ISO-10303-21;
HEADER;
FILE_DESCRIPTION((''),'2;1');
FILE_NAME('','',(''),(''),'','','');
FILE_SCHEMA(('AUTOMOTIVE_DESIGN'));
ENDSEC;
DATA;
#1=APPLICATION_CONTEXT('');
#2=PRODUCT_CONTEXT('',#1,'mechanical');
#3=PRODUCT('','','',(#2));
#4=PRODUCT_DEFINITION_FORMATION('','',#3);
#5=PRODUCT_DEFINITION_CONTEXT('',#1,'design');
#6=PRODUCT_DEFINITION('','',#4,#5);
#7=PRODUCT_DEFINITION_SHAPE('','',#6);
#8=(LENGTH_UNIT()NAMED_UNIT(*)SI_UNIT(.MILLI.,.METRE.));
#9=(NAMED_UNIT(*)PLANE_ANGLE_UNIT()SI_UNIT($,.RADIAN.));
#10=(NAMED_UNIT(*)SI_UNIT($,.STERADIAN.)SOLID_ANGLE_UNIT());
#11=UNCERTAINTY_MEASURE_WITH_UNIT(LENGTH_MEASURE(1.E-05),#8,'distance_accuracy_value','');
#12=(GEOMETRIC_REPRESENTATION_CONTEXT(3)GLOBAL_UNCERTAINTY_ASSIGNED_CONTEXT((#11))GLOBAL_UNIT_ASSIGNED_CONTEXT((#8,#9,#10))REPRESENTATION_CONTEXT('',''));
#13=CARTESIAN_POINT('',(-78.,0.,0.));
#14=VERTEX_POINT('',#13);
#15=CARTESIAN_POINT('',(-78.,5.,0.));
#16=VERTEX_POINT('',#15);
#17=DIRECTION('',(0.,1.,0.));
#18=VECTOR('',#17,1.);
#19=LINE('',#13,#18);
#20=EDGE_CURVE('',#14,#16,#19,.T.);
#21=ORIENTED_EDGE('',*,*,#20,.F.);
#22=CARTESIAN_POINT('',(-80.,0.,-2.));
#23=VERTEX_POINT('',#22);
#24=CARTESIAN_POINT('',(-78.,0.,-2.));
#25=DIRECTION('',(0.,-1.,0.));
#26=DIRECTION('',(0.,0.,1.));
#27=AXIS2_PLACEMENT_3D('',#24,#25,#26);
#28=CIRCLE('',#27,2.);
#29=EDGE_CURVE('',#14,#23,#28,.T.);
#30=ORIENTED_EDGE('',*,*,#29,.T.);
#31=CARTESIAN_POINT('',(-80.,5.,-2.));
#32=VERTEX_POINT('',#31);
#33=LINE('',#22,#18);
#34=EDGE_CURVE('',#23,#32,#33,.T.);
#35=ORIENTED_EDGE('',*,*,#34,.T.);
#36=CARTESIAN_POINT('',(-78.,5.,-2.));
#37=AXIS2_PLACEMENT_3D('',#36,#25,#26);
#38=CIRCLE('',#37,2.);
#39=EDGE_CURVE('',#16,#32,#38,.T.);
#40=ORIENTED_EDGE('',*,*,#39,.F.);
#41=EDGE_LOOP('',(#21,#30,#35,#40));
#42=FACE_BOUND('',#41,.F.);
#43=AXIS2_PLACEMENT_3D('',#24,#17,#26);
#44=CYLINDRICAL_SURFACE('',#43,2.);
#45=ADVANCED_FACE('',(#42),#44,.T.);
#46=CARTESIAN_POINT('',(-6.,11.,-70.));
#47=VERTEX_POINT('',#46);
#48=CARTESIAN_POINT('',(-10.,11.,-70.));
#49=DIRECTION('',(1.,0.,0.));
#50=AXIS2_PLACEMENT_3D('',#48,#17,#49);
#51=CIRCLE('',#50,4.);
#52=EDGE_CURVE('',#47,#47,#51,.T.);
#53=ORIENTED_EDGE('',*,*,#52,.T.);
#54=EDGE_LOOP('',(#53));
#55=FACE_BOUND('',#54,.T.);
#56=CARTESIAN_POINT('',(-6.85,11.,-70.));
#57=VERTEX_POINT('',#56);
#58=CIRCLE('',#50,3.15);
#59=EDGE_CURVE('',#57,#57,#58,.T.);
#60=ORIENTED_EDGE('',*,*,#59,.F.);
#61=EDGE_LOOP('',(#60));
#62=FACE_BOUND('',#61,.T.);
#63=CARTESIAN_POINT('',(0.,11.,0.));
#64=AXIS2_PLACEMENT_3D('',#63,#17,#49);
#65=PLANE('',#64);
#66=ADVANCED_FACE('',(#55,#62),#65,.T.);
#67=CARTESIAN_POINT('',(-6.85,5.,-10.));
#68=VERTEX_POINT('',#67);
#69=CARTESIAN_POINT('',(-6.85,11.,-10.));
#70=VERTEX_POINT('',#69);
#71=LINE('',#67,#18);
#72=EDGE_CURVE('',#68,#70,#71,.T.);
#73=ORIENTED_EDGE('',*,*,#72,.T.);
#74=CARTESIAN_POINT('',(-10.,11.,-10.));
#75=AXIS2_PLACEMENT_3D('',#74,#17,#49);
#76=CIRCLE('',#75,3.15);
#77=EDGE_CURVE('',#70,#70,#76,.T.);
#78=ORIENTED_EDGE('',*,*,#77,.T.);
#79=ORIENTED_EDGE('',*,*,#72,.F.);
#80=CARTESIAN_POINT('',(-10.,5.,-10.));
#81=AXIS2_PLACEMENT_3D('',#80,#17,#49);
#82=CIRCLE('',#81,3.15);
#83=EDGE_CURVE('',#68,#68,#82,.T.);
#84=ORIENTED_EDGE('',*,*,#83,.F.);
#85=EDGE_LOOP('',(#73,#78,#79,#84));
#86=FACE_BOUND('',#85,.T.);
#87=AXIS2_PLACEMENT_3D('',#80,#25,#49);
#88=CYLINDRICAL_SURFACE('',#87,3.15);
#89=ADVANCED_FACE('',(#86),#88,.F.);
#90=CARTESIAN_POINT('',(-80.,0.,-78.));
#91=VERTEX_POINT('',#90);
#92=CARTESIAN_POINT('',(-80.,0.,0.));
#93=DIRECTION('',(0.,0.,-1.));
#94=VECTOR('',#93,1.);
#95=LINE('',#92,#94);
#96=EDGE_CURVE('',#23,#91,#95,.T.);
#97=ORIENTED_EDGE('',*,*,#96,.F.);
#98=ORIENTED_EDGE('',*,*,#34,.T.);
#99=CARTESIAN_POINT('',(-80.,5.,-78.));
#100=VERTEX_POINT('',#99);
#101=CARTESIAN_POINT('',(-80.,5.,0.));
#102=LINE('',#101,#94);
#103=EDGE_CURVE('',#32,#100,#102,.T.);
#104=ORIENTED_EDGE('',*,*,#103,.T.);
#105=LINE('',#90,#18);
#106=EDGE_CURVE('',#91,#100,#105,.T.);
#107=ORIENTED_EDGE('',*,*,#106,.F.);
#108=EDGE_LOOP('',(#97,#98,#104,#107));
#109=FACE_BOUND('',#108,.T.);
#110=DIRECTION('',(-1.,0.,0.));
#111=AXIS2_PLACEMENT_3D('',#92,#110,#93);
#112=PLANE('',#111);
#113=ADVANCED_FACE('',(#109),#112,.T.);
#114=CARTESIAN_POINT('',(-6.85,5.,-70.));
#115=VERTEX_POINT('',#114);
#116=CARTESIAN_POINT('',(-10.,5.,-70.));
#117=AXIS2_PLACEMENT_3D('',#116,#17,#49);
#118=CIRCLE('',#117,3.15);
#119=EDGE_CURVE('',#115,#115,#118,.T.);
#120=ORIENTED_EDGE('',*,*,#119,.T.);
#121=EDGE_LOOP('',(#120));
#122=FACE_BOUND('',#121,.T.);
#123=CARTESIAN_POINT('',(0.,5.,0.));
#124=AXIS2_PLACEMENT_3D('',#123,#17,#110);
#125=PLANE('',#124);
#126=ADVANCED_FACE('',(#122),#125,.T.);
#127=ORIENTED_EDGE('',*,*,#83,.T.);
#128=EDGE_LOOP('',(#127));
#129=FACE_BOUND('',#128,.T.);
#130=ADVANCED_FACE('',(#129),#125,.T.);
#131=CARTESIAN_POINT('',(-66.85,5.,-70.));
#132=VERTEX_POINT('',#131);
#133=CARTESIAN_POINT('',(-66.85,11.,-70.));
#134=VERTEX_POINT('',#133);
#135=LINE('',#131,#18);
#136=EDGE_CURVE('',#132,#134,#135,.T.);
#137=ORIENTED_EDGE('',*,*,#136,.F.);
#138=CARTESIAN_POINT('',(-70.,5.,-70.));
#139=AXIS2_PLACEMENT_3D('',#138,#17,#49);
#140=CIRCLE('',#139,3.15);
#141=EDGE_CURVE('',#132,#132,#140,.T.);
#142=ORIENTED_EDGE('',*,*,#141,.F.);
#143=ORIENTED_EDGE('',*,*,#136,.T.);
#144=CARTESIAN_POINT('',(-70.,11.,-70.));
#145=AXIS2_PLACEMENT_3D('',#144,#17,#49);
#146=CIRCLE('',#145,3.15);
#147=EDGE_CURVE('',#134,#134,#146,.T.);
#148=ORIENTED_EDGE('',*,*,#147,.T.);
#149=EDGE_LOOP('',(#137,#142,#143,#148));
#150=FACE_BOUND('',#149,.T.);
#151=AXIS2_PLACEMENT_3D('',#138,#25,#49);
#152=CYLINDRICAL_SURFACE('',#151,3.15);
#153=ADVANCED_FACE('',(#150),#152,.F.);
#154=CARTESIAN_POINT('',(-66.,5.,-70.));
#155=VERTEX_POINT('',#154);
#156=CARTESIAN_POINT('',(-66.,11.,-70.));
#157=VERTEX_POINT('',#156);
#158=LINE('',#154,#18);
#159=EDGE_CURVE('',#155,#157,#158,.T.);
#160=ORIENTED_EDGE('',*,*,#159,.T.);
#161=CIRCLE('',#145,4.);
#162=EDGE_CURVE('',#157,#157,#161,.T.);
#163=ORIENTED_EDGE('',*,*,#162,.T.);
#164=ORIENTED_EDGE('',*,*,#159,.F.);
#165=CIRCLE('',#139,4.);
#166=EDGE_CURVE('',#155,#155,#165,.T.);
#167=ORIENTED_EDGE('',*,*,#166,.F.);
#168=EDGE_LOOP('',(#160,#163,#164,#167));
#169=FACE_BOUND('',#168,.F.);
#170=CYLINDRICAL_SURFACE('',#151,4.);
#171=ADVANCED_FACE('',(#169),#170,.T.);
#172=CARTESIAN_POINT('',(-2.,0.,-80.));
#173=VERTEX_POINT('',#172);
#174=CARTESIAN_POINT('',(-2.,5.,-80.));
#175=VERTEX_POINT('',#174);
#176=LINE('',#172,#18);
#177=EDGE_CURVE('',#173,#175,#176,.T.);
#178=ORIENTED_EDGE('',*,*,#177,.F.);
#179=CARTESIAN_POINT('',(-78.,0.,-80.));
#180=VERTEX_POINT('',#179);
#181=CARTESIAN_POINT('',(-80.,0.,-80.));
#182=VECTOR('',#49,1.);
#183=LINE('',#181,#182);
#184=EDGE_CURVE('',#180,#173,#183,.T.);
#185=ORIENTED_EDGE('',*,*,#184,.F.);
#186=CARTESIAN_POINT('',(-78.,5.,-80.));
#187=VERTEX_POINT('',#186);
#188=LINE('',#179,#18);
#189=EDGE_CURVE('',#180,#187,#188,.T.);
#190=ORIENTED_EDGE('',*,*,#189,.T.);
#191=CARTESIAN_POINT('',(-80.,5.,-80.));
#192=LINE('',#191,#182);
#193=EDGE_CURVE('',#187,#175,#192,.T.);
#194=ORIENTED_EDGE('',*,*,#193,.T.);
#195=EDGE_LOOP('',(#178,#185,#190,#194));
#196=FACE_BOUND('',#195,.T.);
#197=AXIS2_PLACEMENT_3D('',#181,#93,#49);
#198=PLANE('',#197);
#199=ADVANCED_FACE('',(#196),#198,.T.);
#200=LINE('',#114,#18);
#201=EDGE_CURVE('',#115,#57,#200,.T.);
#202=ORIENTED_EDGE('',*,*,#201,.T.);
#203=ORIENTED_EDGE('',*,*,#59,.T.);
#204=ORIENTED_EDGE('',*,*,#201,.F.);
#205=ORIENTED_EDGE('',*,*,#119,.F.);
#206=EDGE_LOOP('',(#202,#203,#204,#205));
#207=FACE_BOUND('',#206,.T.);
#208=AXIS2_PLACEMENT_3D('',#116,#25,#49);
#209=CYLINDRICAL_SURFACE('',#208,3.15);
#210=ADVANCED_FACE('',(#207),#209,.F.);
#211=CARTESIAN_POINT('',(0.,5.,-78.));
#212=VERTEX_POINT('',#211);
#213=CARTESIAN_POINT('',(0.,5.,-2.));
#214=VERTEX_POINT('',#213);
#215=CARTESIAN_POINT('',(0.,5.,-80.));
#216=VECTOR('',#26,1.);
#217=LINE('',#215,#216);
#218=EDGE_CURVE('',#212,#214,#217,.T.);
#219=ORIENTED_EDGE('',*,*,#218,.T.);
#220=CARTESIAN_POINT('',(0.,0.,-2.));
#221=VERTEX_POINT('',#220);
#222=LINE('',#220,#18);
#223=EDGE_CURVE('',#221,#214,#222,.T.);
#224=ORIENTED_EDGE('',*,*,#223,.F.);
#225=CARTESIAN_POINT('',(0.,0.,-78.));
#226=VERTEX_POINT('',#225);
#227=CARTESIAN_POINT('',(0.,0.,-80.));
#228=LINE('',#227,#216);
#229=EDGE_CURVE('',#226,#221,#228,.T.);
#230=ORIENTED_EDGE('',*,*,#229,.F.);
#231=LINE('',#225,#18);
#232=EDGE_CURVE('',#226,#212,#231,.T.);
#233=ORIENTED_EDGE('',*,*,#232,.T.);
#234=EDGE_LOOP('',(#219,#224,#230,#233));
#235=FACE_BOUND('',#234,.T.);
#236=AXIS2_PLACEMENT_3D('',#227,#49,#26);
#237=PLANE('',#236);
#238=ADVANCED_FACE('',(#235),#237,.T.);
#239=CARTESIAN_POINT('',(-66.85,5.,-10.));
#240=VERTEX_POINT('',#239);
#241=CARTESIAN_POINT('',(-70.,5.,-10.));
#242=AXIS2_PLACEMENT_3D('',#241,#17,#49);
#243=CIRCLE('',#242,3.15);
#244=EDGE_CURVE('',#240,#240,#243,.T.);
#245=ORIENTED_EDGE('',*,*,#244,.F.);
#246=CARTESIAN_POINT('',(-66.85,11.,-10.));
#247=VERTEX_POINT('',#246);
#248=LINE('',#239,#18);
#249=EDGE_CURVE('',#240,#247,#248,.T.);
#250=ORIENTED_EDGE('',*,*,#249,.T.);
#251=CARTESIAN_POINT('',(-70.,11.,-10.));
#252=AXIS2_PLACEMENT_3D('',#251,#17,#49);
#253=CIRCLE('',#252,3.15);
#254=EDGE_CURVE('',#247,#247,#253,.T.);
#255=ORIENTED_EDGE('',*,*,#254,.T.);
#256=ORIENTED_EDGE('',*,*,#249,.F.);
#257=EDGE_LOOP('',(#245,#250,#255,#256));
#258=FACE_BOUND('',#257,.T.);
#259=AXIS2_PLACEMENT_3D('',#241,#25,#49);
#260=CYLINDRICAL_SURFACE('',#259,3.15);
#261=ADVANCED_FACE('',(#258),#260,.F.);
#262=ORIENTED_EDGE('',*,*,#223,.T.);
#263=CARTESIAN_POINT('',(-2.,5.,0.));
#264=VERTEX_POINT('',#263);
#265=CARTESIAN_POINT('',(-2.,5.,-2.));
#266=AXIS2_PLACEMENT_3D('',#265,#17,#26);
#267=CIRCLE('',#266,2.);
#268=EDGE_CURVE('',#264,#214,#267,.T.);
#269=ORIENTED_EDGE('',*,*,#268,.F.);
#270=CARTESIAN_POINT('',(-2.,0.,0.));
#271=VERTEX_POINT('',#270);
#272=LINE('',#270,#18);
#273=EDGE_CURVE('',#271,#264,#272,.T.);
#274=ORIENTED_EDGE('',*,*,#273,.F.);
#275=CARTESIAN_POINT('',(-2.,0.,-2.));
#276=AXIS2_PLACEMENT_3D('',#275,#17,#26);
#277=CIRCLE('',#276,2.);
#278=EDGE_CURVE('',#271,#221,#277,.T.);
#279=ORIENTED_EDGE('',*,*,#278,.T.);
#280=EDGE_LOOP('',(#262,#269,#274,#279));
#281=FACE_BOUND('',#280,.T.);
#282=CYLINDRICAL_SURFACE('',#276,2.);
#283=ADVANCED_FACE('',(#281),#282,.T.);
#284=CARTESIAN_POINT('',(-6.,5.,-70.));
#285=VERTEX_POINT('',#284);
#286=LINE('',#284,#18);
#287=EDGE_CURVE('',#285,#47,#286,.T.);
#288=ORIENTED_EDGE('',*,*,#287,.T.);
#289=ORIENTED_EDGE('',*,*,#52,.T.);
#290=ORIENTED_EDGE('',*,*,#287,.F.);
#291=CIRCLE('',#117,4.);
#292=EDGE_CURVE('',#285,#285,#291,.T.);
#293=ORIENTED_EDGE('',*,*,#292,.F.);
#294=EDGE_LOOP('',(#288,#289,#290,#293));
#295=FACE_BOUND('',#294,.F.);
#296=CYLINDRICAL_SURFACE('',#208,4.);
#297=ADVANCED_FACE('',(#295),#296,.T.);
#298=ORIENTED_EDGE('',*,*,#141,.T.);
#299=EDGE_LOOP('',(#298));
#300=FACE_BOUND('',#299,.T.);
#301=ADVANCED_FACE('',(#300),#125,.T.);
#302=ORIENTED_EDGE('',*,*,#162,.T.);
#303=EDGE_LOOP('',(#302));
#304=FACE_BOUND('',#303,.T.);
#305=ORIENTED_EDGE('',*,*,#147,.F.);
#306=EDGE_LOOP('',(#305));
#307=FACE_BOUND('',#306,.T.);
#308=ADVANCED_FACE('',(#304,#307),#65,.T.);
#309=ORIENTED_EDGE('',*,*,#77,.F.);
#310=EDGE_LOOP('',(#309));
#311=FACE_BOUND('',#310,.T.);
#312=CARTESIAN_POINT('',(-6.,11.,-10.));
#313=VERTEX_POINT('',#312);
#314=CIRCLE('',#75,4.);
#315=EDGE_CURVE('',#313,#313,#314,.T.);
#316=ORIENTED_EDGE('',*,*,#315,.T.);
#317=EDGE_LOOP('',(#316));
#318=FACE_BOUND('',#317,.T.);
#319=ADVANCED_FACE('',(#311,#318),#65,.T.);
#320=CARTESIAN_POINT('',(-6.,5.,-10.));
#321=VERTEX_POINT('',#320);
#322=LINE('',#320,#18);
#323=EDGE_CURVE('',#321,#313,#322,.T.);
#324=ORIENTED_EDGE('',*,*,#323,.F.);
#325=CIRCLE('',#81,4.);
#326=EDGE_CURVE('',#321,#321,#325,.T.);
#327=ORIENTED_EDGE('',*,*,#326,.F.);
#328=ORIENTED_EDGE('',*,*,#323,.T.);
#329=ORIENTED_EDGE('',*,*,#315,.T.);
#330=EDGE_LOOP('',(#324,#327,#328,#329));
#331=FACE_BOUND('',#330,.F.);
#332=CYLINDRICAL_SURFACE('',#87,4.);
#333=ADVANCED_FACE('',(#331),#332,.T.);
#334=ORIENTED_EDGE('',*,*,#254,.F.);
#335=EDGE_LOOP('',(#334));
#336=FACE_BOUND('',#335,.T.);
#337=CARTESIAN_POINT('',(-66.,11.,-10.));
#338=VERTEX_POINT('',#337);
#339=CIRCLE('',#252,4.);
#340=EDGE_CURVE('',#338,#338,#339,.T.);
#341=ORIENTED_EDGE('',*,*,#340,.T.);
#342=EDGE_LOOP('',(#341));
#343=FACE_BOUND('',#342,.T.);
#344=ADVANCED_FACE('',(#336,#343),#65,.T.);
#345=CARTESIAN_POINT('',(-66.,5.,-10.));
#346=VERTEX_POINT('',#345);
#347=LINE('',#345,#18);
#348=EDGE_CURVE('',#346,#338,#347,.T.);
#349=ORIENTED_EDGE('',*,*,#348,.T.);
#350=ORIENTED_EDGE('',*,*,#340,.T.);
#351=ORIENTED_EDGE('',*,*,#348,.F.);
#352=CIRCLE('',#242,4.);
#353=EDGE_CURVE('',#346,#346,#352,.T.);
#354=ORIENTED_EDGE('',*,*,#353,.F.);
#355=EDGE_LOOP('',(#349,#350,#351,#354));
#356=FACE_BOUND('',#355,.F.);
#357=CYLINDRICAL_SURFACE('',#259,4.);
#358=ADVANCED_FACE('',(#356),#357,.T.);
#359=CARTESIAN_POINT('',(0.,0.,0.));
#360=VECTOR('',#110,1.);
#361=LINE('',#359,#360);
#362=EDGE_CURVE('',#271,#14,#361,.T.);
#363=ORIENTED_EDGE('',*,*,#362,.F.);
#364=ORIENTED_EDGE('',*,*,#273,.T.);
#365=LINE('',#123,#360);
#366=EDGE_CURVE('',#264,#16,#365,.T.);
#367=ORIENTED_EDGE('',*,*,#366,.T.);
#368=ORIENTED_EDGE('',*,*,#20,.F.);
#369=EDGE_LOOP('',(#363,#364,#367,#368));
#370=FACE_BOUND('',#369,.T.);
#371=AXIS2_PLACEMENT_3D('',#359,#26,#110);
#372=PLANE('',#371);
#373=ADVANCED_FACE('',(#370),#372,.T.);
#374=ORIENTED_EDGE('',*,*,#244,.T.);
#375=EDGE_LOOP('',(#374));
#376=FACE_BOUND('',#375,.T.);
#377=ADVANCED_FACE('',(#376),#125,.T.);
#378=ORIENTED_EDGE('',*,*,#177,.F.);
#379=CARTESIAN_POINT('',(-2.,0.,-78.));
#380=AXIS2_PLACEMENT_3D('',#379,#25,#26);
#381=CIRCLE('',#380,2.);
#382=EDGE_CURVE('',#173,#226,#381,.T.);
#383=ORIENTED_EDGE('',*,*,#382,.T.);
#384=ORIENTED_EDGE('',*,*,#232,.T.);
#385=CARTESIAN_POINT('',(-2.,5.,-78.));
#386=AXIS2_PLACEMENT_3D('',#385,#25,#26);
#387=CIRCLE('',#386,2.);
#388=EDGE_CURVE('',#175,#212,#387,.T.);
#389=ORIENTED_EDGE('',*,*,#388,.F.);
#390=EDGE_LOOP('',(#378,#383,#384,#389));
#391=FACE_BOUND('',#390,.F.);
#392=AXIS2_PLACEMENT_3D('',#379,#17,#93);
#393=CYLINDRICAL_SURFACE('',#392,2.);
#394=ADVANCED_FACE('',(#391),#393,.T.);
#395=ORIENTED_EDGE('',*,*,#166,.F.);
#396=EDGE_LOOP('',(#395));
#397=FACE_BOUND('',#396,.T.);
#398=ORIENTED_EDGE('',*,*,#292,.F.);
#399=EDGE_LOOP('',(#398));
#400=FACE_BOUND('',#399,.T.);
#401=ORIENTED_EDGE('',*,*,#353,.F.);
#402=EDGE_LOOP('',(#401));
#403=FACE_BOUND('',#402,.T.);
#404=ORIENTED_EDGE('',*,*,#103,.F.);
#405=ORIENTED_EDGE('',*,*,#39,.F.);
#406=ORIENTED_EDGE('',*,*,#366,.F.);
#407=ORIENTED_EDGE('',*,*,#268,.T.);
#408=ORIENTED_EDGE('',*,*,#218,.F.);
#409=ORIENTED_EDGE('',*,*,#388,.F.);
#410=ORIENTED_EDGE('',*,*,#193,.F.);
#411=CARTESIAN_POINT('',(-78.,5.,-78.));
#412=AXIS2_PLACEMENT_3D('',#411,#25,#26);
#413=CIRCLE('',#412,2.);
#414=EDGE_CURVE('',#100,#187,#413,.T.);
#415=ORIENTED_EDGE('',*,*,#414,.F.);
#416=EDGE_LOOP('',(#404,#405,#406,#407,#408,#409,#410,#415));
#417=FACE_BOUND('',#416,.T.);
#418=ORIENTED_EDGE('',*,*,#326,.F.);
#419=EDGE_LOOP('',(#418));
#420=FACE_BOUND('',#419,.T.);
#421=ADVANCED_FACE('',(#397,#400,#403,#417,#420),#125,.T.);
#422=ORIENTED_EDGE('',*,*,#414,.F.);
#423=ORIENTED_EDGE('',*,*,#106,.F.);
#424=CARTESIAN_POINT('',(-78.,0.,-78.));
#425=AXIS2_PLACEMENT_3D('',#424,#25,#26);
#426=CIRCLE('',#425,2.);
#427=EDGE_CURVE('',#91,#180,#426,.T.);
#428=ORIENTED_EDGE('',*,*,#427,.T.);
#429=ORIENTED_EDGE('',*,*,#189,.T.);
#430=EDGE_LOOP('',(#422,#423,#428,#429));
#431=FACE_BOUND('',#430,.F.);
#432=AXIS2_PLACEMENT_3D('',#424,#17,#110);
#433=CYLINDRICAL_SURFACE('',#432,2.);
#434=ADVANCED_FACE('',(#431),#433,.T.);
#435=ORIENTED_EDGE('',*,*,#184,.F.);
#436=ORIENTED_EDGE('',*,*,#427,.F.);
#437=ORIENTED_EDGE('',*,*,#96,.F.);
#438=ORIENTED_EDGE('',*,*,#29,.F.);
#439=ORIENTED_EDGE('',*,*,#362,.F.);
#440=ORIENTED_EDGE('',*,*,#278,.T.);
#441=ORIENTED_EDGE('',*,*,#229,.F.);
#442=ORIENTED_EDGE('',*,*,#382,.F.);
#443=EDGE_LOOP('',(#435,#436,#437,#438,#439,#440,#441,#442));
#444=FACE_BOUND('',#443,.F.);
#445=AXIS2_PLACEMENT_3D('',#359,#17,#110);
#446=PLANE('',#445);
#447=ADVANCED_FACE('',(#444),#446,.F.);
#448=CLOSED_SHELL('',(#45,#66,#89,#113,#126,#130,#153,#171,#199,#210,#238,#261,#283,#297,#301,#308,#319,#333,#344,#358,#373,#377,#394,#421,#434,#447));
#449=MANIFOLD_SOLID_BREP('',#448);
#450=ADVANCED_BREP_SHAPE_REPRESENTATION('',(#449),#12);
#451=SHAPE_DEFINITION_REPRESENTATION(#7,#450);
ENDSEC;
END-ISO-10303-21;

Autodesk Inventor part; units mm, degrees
ref_plane "YZ Plane" through (0, 0, 0) normal (1, 0, 0) x (0, 1, 0)
ref_plane "XZ Plane" through (0, 0, 0) normal (0, 1, 0) x (-1, 0, 0)
ref_plane "XY Plane" through (0, 0, 0) normal (0, 0, 1) x (1, 0, 0)
sketch "Sketch1" plane through (0, 0, 0) normal (0, 1, 0) x (-1, 0, 0)
  line L0 (0, 0) -> (80, 0)
  line L1 (80, 0) -> (80, -80)
  line L2 (80, -80) -> (0, -80)
  line L3 (0, -80) -> (0, 0)
  dimension "d0" = 80
extrude "Extrusion1" add sketch "Sketch1" along normal blind 5
fillet "Fillet1" radius 2 4 edges at (-80, 2.5, 0) (-80, 2.5, -80) (0, 2.5, -80) (0, 2.5, 0)
sketch "Sketch2" plane through (0, 5, 0) normal (0, 1, 0) x (1, 0, 0)
  line L0 (-10, 10) -> (-70, 10) construction
  line L1 (-70, 10) -> (-70, 70) construction
  line L2 (-70, 70) -> (-10, 70) construction
  line L3 (-10, 70) -> (-10, 10) construction
  line L4 (0, 2) -> (0, 78) construction
  line L5 (-78, 0) -> (-2, 0) construction
  circle A0 centre (-70, 10) radius 3.15
  circle A1 centre (-70, 70) radius 3.15
  circle A2 centre (-10, 70) radius 3.15
  circle A3 centre (-10, 10) radius 3.15
  circle A4 centre (-70, 10) radius 4
  circle A5 centre (-70, 70) radius 4
  circle A6 centre (-10, 70) radius 4
  circle A7 centre (-10, 10) radius 4
  point P0 (0, 0)
  dimension "d4" = 60
  dimension "d5" = 10
  dimension "d6" = 10
  dimension "d7" = 6.3
  dimension "d8" = 8
extrude "Extrusion2" add sketch "Sketch2" along normal blind 6
equation "\"d0\" = cradle_width"
equation "\"d4\" = rod_dist"
equation "\"d5\" = 0.5 * cradle_width - 0.5 * rod_dist"
equation "\"d6\" = 0.5 * cradle_width - 0.5 * rod_dist"
equation "\"d7\" = rod_diameter + rod_tolerance"
equation "\"d8\" = post_diameter"
equation "\"cradle_width\" = 80"
equation "\"rod_diameter\" = 6"
equation "\"rod_tolerance\" = 0.3"
equation "\"post_diameter\" = 8"
equation "\"rod_dist\" = 60"
properties part number "cradle_top"
